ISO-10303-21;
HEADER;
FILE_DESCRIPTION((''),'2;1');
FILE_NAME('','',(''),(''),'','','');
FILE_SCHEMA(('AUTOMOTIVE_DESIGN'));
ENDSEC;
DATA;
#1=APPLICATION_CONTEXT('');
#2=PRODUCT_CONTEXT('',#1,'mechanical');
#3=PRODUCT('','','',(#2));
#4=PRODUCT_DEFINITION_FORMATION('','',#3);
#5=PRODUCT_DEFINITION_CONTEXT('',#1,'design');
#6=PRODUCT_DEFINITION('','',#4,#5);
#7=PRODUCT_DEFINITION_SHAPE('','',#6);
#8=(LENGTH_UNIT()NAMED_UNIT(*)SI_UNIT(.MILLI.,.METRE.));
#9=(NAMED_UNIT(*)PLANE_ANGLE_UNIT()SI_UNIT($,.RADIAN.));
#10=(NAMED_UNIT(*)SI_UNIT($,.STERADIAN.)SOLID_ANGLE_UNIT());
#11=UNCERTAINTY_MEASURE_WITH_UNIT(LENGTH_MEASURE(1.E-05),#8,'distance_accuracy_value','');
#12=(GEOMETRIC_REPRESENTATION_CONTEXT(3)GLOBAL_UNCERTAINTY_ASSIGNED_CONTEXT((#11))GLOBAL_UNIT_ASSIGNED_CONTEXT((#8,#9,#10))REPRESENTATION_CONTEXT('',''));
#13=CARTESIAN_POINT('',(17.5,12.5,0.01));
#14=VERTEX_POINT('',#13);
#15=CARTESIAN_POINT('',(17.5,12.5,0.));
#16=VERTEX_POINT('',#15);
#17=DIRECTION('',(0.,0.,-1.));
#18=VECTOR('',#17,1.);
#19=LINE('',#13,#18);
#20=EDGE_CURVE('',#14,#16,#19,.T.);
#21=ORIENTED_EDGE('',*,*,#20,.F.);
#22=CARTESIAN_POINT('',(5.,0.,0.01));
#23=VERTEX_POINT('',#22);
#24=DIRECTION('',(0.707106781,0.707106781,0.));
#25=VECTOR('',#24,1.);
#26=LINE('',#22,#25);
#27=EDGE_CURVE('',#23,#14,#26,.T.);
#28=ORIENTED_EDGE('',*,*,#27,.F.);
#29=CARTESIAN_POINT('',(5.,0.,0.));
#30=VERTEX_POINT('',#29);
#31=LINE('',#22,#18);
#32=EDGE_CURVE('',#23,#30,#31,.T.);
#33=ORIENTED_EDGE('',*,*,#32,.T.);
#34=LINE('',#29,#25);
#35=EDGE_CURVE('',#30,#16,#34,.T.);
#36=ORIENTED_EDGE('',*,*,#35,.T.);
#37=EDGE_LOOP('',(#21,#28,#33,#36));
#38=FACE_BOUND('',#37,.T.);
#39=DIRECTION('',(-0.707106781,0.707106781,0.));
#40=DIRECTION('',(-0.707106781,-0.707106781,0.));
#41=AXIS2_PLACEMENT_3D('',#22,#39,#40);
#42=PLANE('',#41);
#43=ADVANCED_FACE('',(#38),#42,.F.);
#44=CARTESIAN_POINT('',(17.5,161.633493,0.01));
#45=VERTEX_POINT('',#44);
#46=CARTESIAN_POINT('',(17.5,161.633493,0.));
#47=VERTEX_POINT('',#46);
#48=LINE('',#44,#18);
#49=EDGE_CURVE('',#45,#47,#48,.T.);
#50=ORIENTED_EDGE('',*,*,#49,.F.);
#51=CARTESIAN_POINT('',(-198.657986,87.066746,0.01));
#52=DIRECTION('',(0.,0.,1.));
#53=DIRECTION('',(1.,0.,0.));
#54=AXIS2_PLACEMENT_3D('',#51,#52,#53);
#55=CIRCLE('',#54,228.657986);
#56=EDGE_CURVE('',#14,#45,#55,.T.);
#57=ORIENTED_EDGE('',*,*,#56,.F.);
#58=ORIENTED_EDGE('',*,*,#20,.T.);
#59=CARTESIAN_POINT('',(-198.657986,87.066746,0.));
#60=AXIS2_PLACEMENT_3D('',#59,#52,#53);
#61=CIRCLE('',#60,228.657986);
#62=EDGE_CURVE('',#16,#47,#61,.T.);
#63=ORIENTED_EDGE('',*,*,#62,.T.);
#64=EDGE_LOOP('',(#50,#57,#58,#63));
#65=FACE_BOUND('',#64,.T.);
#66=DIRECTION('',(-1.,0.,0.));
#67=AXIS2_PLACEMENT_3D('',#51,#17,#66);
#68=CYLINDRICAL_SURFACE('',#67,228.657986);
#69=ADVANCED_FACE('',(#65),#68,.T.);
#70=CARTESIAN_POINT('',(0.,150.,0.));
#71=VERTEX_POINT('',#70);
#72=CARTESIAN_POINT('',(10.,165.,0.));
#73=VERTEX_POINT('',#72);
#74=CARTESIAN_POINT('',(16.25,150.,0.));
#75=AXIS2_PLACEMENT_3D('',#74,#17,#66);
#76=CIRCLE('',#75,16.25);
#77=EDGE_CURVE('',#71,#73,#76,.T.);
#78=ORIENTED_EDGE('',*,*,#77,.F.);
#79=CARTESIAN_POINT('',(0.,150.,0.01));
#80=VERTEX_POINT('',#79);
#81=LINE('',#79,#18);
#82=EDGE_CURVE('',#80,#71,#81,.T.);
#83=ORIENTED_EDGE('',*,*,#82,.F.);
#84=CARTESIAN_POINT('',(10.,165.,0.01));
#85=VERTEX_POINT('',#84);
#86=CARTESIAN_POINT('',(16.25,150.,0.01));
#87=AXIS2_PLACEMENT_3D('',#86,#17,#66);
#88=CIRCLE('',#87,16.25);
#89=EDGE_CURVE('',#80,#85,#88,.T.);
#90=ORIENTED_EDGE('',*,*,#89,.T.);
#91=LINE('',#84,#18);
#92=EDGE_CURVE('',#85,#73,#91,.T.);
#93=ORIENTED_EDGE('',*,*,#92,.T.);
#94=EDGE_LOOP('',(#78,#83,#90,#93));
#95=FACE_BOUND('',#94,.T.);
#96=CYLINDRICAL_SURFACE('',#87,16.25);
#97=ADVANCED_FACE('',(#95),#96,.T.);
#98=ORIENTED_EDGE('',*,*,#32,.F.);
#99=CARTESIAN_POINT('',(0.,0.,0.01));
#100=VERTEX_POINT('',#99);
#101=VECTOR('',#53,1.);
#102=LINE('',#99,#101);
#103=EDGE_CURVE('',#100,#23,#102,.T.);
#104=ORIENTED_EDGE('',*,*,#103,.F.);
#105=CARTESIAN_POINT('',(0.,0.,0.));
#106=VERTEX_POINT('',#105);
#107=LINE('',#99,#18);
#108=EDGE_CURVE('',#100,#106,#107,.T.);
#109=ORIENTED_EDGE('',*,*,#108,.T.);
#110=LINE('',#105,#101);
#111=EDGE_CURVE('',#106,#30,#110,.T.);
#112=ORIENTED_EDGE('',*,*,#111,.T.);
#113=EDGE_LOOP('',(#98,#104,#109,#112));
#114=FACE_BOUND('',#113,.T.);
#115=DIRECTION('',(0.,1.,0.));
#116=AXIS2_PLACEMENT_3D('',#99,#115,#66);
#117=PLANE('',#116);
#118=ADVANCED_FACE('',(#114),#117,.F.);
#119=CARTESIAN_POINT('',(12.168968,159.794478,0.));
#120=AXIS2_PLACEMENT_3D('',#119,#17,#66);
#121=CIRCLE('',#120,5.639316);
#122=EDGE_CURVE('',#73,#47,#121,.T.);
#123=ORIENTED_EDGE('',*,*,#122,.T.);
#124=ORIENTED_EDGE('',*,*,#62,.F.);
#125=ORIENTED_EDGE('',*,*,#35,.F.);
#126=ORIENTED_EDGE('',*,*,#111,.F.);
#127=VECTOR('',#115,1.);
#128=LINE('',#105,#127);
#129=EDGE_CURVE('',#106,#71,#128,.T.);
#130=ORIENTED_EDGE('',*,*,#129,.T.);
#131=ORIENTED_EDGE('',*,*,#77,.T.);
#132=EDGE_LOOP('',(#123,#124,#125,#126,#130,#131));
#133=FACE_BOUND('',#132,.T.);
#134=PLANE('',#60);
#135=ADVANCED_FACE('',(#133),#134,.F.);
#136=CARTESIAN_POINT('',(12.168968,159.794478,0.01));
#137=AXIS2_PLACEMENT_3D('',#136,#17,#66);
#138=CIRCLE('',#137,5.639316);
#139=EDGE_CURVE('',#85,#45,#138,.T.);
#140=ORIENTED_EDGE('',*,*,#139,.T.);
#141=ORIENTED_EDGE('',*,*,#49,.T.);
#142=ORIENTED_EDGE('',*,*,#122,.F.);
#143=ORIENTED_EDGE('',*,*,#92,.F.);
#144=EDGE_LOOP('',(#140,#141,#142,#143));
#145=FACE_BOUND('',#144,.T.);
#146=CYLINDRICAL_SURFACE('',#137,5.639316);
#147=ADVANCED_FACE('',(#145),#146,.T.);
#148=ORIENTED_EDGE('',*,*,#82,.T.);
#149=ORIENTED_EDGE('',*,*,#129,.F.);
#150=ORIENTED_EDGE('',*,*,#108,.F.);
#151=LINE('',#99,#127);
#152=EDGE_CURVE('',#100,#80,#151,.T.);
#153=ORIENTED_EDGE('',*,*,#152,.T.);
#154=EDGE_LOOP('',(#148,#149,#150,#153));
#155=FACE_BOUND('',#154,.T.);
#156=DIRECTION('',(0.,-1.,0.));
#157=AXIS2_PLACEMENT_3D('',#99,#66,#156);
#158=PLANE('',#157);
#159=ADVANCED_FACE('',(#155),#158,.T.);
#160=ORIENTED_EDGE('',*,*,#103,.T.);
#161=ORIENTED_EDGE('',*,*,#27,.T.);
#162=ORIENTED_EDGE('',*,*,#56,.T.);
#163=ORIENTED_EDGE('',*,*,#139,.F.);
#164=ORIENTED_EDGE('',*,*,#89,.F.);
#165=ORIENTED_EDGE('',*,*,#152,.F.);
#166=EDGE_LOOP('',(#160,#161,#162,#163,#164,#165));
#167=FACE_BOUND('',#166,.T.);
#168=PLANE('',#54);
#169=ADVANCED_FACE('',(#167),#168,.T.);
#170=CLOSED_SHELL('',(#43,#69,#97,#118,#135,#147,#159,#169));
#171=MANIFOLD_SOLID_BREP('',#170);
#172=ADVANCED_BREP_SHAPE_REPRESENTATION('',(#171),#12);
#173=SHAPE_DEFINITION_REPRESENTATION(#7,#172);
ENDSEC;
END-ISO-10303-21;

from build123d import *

# Parameters (mm, degrees)
BOSS_EXTRUDE1_DEPTH = 0.01


with BuildPart() as part:
    # Sketch1 → Boss-Extrude1 (new body)
    with BuildSketch(Plane(origin=(0, 0, 0), x_dir=(0, 1, 0), z_dir=(0, 0, 1))):
        with BuildLine():
            Line((0, 0), (150, 0))
            ThreePointArc((150, 0), (159.013878189, -2.729182717), (165, -10))
            ThreePointArc((165, -10), (164.939268885, -14.478297905), (161.633492601, -17.5))
            ThreePointArc((161.633492601, -17.5), (87.0667463, -30), (12.5, -17.5))
            Line((12.5, -17.5), (0, -5))
            Line((0, -5), (0, 0))
        make_face()
    extrude(amount=BOSS_EXTRUDE1_DEPTH)


solid = part.part
